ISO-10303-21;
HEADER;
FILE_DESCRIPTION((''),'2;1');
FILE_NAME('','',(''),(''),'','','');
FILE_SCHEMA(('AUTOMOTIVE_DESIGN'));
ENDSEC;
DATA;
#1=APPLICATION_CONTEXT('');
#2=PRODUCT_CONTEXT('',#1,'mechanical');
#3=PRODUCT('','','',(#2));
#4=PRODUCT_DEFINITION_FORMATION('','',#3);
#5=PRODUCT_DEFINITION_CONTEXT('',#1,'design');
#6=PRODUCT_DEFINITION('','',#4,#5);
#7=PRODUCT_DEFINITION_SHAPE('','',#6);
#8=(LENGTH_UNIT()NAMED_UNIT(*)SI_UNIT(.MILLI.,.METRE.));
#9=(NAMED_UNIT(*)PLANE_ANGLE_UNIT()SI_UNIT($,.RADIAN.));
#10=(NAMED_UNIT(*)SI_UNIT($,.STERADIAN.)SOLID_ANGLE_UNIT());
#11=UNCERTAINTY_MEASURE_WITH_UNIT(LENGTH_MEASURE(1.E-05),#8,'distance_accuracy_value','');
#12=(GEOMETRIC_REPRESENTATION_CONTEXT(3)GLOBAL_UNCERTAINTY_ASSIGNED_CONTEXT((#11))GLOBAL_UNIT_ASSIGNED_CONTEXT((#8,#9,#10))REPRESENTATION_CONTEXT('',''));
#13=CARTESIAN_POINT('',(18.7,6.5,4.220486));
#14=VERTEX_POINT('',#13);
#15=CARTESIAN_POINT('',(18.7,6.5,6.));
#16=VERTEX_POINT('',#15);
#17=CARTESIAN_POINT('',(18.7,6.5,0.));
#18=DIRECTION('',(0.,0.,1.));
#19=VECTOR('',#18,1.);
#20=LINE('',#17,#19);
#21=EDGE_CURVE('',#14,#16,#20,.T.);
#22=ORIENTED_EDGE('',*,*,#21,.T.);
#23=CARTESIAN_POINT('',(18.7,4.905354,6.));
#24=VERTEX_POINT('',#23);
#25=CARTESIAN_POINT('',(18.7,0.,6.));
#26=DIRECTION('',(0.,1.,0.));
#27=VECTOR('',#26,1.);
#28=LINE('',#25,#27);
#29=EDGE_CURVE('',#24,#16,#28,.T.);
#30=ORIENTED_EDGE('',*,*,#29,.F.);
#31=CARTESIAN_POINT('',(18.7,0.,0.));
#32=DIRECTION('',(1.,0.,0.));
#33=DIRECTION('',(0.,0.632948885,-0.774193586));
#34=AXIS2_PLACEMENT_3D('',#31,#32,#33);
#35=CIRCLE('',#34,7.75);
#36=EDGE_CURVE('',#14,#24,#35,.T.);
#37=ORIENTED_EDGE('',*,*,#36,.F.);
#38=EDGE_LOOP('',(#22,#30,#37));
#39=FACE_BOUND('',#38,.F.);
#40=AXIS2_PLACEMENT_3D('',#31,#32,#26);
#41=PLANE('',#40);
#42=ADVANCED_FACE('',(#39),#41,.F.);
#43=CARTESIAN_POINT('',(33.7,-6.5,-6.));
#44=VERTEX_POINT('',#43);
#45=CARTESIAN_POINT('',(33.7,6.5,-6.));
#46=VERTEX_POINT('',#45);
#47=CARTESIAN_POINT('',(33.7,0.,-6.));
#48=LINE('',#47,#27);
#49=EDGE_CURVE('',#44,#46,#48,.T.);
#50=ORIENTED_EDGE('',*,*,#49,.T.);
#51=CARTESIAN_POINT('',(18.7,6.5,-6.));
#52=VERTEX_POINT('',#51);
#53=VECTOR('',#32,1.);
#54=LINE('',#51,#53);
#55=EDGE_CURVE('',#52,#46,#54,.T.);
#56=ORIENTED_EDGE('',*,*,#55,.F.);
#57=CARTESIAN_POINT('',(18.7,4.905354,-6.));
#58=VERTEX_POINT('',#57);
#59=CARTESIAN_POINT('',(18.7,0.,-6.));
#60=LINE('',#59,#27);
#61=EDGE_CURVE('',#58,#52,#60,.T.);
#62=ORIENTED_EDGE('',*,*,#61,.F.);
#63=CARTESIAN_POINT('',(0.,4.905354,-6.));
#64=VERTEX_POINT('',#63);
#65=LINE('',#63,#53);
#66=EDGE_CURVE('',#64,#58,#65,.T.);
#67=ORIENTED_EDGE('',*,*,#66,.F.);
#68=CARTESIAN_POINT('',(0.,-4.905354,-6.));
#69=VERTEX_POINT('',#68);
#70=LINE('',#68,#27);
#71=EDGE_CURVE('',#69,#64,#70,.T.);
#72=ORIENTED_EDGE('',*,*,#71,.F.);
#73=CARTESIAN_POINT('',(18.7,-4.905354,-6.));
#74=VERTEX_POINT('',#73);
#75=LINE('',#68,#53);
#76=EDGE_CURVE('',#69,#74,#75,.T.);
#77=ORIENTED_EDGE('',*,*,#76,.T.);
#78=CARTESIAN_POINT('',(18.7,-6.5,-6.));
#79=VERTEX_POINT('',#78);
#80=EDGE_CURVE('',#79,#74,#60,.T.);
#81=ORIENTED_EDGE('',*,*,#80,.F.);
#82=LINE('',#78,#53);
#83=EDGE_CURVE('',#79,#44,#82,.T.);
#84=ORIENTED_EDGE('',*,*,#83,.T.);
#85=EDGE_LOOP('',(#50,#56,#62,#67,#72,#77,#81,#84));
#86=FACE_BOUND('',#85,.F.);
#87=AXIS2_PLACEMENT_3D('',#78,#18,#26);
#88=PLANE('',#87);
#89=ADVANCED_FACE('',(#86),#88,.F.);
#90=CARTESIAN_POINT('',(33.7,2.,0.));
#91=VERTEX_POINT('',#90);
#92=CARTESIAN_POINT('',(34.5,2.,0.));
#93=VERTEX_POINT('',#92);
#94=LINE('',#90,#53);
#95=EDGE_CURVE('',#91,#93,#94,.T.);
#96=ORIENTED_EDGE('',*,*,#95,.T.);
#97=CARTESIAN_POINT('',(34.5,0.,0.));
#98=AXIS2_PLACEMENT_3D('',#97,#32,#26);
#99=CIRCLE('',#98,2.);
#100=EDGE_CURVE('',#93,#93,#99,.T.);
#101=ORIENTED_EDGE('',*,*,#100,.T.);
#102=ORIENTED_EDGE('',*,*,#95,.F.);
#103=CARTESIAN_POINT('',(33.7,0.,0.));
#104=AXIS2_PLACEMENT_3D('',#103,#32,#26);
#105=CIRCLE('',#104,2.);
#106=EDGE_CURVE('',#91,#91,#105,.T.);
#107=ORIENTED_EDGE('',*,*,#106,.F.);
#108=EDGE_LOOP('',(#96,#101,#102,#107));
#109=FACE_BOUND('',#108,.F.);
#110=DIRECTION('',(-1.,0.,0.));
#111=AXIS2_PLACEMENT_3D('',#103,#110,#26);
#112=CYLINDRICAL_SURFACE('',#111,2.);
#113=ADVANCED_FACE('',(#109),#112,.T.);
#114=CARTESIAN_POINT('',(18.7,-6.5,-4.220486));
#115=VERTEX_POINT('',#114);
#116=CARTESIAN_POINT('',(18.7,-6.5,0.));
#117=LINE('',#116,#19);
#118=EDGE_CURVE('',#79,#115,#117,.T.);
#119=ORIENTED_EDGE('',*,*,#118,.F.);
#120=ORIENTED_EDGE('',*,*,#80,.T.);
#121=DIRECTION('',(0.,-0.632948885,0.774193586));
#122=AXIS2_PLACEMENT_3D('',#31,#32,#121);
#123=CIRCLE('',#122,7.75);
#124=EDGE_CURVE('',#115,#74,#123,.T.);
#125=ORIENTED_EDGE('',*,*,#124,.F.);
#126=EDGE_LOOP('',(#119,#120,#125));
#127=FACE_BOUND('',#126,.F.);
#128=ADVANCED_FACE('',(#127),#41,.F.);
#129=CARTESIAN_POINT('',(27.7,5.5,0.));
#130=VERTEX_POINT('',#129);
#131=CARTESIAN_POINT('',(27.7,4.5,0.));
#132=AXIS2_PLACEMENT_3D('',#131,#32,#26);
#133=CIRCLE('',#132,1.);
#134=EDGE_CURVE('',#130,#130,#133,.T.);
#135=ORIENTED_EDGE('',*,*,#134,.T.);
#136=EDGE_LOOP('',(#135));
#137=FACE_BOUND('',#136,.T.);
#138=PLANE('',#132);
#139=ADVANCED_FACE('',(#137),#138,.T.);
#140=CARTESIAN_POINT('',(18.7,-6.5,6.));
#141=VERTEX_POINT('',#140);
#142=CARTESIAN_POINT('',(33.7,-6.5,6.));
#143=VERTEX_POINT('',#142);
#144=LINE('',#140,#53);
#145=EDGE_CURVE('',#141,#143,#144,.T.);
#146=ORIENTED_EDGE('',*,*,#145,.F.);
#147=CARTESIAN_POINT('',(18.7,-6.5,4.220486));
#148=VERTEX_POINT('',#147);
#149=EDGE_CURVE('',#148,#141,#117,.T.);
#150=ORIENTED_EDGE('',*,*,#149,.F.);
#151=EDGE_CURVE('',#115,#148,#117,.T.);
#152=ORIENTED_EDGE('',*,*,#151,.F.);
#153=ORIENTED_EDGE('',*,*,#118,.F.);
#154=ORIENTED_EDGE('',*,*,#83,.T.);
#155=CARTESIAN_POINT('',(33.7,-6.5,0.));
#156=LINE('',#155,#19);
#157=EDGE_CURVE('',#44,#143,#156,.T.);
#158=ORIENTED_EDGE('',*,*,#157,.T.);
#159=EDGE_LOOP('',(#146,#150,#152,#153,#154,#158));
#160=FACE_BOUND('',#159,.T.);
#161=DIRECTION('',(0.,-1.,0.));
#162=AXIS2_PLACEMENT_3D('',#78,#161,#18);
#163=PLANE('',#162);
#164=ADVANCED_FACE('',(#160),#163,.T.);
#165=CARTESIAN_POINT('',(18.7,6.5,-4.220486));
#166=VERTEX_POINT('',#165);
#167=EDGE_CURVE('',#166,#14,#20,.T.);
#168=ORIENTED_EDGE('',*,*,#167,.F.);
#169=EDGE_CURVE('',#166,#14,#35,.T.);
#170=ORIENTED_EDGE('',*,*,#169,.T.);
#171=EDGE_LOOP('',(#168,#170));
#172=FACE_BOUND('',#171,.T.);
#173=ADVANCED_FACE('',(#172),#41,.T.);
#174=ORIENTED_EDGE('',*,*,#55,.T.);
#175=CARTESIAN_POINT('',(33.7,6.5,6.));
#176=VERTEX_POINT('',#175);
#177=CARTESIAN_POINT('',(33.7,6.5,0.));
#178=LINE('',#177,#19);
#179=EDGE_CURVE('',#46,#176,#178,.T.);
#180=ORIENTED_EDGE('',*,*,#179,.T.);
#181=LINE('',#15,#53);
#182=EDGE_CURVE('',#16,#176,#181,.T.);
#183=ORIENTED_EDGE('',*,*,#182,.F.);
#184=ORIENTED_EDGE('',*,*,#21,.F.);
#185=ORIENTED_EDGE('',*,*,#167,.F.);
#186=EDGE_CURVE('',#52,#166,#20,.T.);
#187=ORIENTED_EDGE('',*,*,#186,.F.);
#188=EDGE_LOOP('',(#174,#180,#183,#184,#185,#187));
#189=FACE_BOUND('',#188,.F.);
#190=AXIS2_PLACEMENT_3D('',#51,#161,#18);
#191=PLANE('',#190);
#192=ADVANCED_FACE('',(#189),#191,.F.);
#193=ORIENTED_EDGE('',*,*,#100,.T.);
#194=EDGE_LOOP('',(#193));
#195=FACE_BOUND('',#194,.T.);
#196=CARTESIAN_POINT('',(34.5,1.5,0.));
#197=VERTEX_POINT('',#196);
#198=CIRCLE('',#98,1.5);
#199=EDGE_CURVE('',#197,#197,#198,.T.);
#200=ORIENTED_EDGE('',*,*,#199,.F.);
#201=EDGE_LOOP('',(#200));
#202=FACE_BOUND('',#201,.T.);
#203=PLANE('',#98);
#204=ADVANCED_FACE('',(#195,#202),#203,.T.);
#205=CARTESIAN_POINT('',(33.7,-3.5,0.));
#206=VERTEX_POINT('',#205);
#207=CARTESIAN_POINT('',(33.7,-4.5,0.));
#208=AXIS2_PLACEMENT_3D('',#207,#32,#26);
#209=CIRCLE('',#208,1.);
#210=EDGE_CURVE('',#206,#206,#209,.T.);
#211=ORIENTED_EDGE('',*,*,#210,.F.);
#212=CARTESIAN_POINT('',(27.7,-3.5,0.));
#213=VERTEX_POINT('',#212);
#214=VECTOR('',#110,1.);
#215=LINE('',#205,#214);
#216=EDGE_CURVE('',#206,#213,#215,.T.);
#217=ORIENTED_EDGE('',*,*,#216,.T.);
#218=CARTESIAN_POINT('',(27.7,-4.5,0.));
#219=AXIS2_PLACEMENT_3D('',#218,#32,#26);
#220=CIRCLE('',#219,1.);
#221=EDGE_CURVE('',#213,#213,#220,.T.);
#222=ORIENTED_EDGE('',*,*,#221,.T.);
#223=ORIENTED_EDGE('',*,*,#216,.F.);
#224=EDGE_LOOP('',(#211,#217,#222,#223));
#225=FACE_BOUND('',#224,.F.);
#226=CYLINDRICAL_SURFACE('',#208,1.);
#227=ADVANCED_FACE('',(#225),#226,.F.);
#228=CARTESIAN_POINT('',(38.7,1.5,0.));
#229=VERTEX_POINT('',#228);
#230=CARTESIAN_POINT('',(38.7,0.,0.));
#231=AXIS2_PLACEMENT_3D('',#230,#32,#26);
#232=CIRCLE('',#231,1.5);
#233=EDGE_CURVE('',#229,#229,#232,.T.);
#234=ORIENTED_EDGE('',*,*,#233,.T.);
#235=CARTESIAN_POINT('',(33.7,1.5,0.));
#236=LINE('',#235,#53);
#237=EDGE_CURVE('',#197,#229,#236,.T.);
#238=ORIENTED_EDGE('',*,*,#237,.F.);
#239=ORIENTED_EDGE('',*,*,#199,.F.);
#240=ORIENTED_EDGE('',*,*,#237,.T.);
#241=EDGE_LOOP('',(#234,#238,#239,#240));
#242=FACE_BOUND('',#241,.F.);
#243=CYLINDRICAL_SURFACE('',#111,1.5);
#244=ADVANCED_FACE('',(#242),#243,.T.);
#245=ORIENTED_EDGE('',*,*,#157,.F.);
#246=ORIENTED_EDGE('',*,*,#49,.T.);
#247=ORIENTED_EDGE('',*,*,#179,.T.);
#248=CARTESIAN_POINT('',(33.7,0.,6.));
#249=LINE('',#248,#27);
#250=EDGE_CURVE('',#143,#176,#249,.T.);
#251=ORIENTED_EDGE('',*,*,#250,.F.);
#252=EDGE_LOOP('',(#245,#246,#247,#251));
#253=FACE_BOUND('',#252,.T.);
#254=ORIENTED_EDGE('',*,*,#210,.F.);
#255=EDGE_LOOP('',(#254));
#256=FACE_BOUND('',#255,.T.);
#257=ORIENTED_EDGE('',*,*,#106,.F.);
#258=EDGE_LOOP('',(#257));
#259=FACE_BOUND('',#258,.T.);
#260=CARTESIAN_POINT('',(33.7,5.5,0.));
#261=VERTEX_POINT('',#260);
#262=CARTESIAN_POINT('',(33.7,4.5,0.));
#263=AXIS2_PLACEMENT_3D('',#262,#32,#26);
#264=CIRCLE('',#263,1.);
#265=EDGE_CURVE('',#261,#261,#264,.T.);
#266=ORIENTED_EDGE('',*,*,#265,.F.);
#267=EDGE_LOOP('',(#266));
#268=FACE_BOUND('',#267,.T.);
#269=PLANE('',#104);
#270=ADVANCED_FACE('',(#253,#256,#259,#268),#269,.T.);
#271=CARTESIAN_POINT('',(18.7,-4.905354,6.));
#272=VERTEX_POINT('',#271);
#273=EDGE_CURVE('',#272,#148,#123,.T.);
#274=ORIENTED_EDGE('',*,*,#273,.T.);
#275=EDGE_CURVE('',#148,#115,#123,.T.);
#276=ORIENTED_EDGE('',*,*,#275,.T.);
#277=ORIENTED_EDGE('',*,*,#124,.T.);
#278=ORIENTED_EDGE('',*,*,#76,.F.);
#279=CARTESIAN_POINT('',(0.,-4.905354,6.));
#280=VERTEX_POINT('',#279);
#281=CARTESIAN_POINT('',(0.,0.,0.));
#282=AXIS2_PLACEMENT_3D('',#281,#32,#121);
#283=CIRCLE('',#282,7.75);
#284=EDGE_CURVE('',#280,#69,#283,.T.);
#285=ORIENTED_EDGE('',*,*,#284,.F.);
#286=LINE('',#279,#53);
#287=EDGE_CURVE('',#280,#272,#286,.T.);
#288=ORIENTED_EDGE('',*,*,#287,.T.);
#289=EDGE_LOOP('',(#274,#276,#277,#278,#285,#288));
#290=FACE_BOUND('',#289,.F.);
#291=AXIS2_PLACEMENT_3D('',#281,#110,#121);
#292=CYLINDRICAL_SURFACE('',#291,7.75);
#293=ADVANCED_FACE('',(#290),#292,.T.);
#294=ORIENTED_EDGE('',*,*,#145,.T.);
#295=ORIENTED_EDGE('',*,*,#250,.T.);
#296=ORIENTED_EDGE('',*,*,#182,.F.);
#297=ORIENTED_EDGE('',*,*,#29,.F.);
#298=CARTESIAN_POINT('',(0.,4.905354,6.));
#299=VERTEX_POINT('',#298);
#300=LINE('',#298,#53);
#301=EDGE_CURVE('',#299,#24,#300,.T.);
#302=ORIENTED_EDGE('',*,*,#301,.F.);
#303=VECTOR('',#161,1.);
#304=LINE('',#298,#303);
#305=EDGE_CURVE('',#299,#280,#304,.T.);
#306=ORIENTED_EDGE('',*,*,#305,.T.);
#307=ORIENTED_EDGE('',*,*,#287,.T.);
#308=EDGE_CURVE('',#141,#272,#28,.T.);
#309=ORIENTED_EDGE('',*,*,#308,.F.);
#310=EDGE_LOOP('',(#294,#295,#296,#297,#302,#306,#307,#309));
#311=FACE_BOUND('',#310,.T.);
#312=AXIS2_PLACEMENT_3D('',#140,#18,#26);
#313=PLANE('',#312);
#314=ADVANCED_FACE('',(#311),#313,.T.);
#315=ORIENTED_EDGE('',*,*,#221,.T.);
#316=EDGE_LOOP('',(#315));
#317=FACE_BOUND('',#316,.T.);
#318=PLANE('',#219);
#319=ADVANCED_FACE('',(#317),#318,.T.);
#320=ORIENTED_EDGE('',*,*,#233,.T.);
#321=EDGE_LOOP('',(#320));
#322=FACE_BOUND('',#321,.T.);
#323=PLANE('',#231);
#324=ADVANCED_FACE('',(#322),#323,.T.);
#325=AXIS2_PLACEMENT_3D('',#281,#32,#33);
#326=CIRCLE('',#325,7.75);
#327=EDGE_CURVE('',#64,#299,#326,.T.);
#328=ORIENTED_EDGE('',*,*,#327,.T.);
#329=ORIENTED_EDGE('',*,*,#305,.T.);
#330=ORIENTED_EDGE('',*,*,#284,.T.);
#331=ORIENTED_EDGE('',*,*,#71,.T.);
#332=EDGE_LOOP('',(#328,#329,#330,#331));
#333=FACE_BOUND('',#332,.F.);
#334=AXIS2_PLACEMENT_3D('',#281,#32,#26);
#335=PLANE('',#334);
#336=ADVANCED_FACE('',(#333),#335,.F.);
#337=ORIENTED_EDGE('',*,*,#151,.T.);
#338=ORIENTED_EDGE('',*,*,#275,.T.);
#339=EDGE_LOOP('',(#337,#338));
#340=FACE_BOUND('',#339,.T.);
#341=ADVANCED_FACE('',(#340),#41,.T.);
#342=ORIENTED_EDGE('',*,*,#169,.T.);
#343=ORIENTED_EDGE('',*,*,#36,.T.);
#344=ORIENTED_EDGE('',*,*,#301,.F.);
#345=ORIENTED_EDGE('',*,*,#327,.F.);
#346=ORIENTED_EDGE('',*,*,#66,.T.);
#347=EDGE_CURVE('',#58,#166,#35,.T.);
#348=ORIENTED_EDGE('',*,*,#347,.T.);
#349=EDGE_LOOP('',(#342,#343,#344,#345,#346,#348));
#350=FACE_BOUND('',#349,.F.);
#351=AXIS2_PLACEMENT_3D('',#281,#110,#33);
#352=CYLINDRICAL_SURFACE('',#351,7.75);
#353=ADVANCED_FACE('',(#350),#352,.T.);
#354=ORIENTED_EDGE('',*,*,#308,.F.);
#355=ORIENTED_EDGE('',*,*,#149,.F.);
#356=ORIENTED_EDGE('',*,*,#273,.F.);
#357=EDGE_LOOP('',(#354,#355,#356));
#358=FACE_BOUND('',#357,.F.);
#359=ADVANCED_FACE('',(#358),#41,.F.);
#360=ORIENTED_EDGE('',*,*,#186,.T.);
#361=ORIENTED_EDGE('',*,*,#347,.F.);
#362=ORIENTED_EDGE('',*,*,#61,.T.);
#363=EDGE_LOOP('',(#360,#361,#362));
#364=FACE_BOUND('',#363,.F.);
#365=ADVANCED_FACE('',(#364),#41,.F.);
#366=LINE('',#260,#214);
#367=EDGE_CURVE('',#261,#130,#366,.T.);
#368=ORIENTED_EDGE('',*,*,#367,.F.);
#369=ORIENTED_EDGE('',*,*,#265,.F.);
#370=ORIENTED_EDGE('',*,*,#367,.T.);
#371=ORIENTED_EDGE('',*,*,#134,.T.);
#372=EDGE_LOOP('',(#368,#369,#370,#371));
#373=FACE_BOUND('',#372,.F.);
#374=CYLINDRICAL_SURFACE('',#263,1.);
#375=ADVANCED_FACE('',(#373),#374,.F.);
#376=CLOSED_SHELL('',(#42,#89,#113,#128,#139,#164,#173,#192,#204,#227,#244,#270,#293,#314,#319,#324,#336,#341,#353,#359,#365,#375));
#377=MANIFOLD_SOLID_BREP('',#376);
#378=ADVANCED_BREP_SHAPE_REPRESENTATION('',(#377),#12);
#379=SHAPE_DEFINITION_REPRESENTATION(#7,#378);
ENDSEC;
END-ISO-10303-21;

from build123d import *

# Parameters (mm, degrees)
F1_DEPTH = 18.7
F2_W     = 13
F2_H     = 12
F3_DEPTH = 15
F4_R     = 1.5
F5_DEPTH = 5
F4_R_2   = 1
F6_DEPTH = 6
F4_R_3   = 2
F7_DEPTH = 0.8


with BuildPart() as f1:
    # F0 (on Right) → F1 (new body)
    with BuildSketch(Plane.YZ):
        with BuildLine():
            Line((4.905354, 6), (-4.905354, 6))
            ThreePointArc((-4.905354, 6), (-7.75, 0), (-4.905354, -6))
            Line((-4.905354, -6), (4.905354, -6))
            ThreePointArc((4.905354, -6), (7.75, 0), (4.905354, 6))
        make_face()
    extrude(amount=F1_DEPTH)

    # F2 (on face) → F3 (join)
    with BuildSketch(Plane.YZ.offset(18.7)):
        Rectangle(F2_W, F2_H)
    extrude(amount=F3_DEPTH)

    # F4 (on face) → F5 (join)
    with BuildSketch(Plane.YZ.offset(33.7)):
        Circle(F4_R)
    extrude(amount=F5_DEPTH)

    # F4 (on face) → F6 (cut)
    with BuildSketch(Plane.YZ.offset(33.7)):
        with Locations((-4.5, 0)):
            Circle(F4_R_2)
        with Locations((4.5, 0)):
            Circle(F4_R_2)
    extrude(amount=-F6_DEPTH, mode=Mode.SUBTRACT)

    # F4 (on face) → F7 (join)
    with BuildSketch(Plane.YZ.offset(33.7)):
        Circle(F4_R_3)
        Circle(F4_R, mode=Mode.SUBTRACT)
    extrude(amount=F7_DEPTH)


solid = f1.part
